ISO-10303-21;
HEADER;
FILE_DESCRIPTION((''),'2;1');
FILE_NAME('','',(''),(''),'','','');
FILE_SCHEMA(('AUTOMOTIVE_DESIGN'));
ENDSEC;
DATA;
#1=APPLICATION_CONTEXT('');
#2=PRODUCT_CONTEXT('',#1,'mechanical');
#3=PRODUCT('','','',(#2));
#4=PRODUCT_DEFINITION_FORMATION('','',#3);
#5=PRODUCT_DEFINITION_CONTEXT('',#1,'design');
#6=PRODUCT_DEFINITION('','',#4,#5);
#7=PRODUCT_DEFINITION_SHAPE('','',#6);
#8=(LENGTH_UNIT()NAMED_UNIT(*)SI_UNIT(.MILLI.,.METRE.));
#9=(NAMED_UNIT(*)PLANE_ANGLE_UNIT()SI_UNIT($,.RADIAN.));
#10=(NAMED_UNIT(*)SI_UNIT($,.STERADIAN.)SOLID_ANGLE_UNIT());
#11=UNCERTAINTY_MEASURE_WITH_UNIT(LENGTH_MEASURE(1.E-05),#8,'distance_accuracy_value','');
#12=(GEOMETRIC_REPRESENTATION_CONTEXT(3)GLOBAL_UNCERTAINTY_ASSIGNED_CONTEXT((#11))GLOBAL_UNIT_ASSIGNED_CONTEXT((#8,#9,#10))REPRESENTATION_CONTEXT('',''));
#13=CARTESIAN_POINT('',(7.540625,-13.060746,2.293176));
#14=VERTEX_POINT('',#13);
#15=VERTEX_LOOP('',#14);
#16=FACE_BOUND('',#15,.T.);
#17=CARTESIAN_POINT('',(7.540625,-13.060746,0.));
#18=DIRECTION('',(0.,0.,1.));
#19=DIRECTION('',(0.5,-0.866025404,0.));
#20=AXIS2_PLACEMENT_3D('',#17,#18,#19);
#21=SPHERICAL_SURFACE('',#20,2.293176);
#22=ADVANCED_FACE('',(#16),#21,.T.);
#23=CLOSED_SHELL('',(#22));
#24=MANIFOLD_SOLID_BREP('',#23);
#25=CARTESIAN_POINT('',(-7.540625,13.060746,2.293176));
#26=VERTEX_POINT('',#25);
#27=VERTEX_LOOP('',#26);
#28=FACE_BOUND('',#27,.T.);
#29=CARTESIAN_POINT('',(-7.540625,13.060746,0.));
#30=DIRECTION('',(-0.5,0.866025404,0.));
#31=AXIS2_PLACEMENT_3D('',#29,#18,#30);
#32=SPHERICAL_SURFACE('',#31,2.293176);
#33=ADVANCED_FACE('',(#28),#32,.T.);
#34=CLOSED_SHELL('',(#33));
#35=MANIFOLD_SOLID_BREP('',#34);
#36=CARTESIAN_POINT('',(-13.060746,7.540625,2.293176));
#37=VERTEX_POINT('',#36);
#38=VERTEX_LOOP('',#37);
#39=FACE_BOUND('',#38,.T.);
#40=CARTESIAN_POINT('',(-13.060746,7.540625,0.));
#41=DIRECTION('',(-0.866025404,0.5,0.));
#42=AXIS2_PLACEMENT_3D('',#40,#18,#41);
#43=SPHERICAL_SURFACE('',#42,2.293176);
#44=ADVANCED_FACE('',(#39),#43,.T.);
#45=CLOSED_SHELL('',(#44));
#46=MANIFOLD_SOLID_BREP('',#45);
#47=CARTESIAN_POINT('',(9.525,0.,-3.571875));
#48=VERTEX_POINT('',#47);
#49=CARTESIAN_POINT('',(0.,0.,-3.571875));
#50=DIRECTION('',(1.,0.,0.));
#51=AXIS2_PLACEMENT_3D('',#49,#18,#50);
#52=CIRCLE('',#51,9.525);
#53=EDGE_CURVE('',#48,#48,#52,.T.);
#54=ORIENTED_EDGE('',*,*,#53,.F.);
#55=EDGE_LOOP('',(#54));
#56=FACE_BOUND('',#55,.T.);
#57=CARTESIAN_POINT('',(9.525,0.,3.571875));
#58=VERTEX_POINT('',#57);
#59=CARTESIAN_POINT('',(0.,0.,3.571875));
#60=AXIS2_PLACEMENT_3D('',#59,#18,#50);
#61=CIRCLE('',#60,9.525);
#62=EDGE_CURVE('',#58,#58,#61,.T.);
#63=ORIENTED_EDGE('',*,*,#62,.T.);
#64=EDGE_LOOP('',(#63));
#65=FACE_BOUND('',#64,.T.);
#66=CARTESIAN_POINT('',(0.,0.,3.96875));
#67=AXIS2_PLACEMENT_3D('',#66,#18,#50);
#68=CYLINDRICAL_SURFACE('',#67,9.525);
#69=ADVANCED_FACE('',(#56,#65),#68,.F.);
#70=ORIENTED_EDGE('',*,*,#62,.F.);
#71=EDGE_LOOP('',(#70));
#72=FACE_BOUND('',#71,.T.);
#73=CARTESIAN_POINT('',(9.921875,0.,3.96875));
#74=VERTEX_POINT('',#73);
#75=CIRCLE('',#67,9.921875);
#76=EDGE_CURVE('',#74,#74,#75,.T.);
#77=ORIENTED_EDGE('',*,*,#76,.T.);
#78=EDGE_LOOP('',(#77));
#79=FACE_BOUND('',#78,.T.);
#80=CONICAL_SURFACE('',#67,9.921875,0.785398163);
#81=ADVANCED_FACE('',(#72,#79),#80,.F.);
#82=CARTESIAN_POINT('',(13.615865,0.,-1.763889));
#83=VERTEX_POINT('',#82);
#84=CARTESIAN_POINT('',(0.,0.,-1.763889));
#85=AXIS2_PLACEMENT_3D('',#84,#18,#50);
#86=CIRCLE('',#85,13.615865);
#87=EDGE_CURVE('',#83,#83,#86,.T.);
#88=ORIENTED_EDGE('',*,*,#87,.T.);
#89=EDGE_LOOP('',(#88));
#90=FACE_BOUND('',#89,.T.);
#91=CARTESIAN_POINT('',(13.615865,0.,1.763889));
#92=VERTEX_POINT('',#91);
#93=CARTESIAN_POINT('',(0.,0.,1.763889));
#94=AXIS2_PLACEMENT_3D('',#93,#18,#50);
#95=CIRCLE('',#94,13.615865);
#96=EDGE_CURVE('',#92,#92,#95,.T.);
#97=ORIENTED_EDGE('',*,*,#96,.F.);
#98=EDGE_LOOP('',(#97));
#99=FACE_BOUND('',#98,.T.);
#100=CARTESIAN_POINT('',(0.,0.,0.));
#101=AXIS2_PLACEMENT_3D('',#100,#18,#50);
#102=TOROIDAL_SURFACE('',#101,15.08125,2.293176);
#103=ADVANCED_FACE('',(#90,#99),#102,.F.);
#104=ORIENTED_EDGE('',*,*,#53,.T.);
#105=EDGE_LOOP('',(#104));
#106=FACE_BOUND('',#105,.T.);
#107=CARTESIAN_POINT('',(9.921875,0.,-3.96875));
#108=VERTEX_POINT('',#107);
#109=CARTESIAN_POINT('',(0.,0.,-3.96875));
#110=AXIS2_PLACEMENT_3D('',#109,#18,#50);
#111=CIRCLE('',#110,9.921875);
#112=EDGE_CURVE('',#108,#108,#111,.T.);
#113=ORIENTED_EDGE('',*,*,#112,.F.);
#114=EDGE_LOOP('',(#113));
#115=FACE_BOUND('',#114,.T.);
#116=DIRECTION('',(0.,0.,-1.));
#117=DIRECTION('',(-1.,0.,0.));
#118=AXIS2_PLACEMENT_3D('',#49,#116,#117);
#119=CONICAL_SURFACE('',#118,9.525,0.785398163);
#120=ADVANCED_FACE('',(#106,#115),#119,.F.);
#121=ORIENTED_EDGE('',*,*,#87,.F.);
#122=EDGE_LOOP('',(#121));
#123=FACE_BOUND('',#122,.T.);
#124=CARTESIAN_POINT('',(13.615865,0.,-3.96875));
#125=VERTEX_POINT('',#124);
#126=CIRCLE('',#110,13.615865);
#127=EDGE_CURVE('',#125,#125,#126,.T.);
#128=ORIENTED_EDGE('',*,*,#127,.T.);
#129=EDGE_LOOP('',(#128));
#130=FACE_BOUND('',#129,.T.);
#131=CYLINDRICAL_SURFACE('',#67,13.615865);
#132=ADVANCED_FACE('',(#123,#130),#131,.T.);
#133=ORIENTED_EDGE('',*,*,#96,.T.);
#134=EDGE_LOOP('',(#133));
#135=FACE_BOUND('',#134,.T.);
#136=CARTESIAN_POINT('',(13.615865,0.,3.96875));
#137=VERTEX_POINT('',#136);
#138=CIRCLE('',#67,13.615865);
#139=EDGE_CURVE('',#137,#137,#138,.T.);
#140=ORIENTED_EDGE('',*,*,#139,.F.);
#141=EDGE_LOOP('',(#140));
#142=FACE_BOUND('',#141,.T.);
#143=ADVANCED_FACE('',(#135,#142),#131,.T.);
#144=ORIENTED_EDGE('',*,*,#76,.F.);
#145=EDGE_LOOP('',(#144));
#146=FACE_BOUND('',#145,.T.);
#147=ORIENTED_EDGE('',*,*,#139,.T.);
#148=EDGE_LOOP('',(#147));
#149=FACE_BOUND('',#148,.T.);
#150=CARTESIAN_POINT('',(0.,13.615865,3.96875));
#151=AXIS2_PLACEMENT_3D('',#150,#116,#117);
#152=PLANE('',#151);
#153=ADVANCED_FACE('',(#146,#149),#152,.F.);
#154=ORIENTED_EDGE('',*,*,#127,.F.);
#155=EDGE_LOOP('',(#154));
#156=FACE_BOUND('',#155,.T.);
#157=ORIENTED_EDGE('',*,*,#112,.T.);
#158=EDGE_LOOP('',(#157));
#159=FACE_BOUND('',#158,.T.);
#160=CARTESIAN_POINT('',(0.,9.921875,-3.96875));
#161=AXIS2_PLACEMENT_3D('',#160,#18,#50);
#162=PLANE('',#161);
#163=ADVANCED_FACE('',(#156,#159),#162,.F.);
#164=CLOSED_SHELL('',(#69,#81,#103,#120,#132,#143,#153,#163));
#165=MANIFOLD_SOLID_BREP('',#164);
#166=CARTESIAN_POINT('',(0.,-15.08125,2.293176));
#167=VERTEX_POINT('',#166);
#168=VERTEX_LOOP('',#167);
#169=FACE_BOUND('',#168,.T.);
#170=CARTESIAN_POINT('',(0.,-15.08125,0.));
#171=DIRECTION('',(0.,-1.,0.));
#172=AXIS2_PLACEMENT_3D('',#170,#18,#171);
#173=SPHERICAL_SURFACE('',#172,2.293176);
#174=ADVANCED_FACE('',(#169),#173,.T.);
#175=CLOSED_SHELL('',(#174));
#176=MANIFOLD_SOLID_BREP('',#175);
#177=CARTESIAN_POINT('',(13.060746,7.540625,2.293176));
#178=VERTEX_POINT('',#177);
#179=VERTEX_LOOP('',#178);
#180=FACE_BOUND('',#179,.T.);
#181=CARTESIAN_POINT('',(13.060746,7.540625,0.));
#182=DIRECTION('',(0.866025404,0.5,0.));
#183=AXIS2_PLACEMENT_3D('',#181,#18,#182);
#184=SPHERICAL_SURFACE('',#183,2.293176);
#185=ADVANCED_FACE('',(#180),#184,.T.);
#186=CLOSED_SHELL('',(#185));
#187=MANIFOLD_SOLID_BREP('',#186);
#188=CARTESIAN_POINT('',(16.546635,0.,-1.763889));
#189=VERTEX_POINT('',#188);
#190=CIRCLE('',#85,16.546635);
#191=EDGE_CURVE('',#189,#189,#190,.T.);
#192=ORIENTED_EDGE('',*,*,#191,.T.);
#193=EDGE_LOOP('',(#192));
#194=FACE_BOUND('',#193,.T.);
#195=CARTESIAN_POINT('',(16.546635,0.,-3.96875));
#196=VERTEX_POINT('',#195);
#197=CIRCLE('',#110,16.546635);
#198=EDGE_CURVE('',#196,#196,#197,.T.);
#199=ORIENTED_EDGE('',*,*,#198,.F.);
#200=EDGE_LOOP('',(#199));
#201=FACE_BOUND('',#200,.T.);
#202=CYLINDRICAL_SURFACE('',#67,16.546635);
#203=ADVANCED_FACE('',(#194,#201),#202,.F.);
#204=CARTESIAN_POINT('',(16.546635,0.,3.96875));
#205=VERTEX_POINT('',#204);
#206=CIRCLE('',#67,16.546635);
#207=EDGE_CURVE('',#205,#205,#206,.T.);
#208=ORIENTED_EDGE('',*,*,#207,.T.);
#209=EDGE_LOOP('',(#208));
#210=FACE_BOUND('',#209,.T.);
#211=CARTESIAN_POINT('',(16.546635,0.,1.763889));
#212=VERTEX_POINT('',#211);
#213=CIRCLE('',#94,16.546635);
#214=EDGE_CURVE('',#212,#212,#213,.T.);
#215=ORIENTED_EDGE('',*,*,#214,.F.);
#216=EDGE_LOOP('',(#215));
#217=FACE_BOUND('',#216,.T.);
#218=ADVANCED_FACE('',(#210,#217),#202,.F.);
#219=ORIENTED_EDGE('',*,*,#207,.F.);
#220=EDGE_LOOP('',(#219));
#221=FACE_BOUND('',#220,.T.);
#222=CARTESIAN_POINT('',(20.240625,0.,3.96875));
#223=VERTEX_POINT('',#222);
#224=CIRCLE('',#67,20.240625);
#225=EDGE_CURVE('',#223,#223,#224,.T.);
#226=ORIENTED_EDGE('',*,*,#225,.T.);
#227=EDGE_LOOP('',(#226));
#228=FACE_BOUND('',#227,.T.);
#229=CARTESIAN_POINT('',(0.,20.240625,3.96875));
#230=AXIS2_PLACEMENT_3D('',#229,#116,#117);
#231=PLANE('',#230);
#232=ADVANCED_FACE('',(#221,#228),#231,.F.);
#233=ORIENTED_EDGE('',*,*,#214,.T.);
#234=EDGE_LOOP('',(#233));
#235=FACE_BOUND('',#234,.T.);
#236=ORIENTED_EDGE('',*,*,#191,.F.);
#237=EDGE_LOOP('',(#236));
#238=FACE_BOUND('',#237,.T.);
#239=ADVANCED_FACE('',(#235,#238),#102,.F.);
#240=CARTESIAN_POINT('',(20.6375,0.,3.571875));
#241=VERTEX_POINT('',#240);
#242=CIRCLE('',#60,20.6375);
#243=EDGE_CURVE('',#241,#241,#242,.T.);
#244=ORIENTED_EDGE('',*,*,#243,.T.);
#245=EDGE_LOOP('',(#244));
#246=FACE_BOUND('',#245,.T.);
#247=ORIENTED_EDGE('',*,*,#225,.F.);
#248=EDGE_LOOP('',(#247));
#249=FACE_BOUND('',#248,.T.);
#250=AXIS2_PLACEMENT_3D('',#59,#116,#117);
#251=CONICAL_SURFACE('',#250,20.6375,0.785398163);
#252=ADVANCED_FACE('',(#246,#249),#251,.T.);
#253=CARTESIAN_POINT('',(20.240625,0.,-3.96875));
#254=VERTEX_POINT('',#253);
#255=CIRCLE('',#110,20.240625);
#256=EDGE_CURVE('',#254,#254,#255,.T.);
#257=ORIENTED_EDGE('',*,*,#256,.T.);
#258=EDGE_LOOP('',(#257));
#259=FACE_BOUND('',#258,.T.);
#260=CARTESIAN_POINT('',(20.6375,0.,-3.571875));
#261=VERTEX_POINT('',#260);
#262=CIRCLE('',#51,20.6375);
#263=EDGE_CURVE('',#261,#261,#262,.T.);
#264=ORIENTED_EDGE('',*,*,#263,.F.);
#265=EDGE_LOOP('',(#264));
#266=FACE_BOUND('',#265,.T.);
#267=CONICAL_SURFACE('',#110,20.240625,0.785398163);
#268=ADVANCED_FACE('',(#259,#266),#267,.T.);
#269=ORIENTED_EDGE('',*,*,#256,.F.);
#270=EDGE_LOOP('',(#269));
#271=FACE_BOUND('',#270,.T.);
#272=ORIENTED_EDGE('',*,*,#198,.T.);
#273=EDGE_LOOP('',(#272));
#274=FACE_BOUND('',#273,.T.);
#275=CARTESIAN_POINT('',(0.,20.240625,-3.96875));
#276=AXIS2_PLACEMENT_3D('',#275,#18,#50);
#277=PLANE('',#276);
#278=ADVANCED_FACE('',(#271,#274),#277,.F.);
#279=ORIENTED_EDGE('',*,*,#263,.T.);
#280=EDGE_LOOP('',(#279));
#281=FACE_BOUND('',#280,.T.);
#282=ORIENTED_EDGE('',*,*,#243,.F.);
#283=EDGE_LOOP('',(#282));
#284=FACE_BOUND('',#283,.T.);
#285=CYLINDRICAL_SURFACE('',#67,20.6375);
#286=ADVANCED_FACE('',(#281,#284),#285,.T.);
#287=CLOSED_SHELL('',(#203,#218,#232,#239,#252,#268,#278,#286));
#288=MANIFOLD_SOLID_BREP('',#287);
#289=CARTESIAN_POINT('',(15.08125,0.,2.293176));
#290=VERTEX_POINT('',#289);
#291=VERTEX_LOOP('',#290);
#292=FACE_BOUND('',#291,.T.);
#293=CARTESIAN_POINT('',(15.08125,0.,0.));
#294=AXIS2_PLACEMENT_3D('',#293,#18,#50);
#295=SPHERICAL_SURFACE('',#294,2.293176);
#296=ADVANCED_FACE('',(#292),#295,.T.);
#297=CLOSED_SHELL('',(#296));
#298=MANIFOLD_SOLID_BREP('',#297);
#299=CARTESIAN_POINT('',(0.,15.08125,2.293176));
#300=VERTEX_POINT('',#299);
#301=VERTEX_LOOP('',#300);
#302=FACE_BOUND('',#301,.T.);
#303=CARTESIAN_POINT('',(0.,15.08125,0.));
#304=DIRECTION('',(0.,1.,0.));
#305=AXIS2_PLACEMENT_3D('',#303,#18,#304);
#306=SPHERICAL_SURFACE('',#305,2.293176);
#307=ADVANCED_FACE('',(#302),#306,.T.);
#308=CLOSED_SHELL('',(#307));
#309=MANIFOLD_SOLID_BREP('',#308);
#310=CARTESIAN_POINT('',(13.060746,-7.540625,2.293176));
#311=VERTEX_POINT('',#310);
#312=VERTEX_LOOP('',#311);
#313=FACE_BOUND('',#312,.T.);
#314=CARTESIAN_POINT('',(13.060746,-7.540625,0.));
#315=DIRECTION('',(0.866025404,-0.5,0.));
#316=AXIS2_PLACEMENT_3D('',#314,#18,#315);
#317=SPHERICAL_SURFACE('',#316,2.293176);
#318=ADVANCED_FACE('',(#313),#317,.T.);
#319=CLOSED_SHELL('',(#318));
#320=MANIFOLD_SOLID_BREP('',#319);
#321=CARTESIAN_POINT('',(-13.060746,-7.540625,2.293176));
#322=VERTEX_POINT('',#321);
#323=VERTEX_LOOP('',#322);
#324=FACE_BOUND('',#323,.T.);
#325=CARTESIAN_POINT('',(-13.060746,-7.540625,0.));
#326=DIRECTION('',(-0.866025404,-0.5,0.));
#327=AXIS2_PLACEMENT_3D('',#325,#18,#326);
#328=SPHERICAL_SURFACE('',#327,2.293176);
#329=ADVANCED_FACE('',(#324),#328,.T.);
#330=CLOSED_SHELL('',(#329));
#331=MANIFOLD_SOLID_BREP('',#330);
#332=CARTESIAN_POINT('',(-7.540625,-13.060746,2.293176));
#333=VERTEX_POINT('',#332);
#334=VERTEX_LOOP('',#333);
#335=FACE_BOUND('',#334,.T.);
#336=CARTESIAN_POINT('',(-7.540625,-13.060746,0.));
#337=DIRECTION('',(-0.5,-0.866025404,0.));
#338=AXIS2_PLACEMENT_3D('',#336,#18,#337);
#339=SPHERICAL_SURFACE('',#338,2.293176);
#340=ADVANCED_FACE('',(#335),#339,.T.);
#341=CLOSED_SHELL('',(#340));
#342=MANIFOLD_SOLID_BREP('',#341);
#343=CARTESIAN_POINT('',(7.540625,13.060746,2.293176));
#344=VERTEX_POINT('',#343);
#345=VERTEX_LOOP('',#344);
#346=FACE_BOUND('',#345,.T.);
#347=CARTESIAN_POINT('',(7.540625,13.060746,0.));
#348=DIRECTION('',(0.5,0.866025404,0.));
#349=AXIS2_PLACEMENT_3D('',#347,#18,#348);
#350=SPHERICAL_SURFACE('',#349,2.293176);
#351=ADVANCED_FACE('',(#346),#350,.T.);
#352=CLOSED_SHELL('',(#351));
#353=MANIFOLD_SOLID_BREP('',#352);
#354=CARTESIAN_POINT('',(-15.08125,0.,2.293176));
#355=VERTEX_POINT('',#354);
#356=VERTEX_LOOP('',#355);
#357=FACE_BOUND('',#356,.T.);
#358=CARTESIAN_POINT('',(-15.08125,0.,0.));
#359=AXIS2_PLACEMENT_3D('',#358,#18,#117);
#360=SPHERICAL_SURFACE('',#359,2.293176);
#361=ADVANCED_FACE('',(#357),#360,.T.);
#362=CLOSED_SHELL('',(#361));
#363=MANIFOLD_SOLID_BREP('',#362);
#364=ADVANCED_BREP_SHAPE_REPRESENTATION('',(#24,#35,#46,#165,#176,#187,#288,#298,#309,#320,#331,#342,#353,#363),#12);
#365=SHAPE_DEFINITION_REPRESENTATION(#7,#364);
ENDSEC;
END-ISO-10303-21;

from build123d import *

# Parameters (mm, degrees)
CIRPATTERN1_COUNT = 12


with BuildPart() as part:
    # Sketch1 → Revolve1 (revolve)
    with BuildSketch(Plane(origin=(0, 0, 0), x_dir=(0, 0, -1), z_dir=(1, 0, 0))):
        with BuildLine():
            Line((3.571875, 20.6375), (-3.571875, 20.6375))
            Line((-3.571875, 20.6375), (-3.96875, 20.240625))
            Line((-3.96875, 20.240625), (-3.96875, 16.546634615))
            Line((-3.96875, 16.546634615), (-1.763888889, 16.546634615))
            ThreePointArc((-1.763888889, 16.546634615), (0, 17.374425982), (1.763888889, 16.546634615))
            Line((1.763888889, 16.546634615), (3.96875, 16.546634615))
            Line((3.96875, 16.546634615), (3.96875, 20.240625))
            Line((3.96875, 20.240625), (3.571875, 20.6375))
        make_face()
    revolve(axis=Axis((0, 0, 3.96875), (0, 0, -1)))


with BuildPart() as body_2:
    # Sketch3 → Revolve3 (revolve)
    with BuildSketch(Plane(origin=(0, 0, 0), x_dir=(0, 0, -1), z_dir=(1, 0, 0))):
        with BuildLine():
            Line((-3.96875, 13.615865385), (-1.763888889, 13.615865385))
            ThreePointArc((-1.763888889, 13.615865385), (0, 12.788074018), (1.763888889, 13.615865385))
            Line((1.763888889, 13.615865385), (3.96875, 13.615865385))
            Line((3.96875, 13.615865385), (3.96875, 9.921875))
            Line((3.96875, 9.921875), (3.571875, 9.525))
            Line((3.571875, 9.525), (-3.571875, 9.525))
            Line((-3.571875, 9.525), (-3.96875, 9.921875))
            Line((-3.96875, 9.921875), (-3.96875, 13.615865385))
        make_face()
    revolve(axis=Axis((0, 0, 3.96875), (0, 0, -1)))


with BuildPart() as body_3:
    # Sketch4 → Revolve4 (revolve)
    with BuildSketch(Plane(origin=(0, 0, 0), x_dir=(0, 0, -1), z_dir=(1, 0, 0))):
        with BuildLine():
            Line((-2.293175982, 15.08125), (2.293175982, 15.08125))
            ThreePointArc((2.293175982, 15.08125), (0, 17.374425982), (-2.293175982, 15.08125))
        make_face()
    revolve(axis=Axis((0, 15.08125, 2.293175982), (0, 0, -1)))


with BuildPart() as cirpattern1_1:
    # CirPattern1: pattern copy
    add(body_3.part.rotate(Axis((0, 0, -3.96875), (0, 0, 1)), 1 * 360 / CIRPATTERN1_COUNT))


with BuildPart() as cirpattern1_2:
    # CirPattern1: pattern copy
    add(body_3.part.rotate(Axis((0, 0, -3.96875), (0, 0, 1)), 2 * 360 / CIRPATTERN1_COUNT))


with BuildPart() as cirpattern1_3:
    # CirPattern1: pattern copy
    add(body_3.part.rotate(Axis((0, 0, -3.96875), (0, 0, 1)), 3 * 360 / CIRPATTERN1_COUNT))


with BuildPart() as cirpattern1_4:
    # CirPattern1: pattern copy
    add(body_3.part.rotate(Axis((0, 0, -3.96875), (0, 0, 1)), 4 * 360 / CIRPATTERN1_COUNT))


with BuildPart() as cirpattern1_5:
    # CirPattern1: pattern copy
    add(body_3.part.rotate(Axis((0, 0, -3.96875), (0, 0, 1)), 5 * 360 / CIRPATTERN1_COUNT))


with BuildPart() as cirpattern1_6:
    # CirPattern1: pattern copy
    add(body_3.part.rotate(Axis((0, 0, -3.96875), (0, 0, 1)), 6 * 360 / CIRPATTERN1_COUNT))


with BuildPart() as cirpattern1_7:
    # CirPattern1: pattern copy
    add(body_3.part.rotate(Axis((0, 0, -3.96875), (0, 0, 1)), 7 * 360 / CIRPATTERN1_COUNT))


with BuildPart() as cirpattern1_8:
    # CirPattern1: pattern copy
    add(body_3.part.rotate(Axis((0, 0, -3.96875), (0, 0, 1)), 8 * 360 / CIRPATTERN1_COUNT))


with BuildPart() as cirpattern1_9:
    # CirPattern1: pattern copy
    add(body_3.part.rotate(Axis((0, 0, -3.96875), (0, 0, 1)), 9 * 360 / CIRPATTERN1_COUNT))


with BuildPart() as cirpattern1_10:
    # CirPattern1: pattern copy
    add(body_3.part.rotate(Axis((0, 0, -3.96875), (0, 0, 1)), 10 * 360 / CIRPATTERN1_COUNT))


with BuildPart() as cirpattern1_11:
    # CirPattern1: pattern copy
    add(body_3.part.rotate(Axis((0, 0, -3.96875), (0, 0, 1)), 11 * 360 / CIRPATTERN1_COUNT))


solid = Compound([part.part, body_2.part, body_3.part, cirpattern1_1.part, cirpattern1_2.part, cirpattern1_3.part, cirpattern1_4.part, cirpattern1_5.part, cirpattern1_6.part, cirpattern1_7.part, cirpattern1_8.part, cirpattern1_9.part, cirpattern1_10.part, cirpattern1_11.part])
